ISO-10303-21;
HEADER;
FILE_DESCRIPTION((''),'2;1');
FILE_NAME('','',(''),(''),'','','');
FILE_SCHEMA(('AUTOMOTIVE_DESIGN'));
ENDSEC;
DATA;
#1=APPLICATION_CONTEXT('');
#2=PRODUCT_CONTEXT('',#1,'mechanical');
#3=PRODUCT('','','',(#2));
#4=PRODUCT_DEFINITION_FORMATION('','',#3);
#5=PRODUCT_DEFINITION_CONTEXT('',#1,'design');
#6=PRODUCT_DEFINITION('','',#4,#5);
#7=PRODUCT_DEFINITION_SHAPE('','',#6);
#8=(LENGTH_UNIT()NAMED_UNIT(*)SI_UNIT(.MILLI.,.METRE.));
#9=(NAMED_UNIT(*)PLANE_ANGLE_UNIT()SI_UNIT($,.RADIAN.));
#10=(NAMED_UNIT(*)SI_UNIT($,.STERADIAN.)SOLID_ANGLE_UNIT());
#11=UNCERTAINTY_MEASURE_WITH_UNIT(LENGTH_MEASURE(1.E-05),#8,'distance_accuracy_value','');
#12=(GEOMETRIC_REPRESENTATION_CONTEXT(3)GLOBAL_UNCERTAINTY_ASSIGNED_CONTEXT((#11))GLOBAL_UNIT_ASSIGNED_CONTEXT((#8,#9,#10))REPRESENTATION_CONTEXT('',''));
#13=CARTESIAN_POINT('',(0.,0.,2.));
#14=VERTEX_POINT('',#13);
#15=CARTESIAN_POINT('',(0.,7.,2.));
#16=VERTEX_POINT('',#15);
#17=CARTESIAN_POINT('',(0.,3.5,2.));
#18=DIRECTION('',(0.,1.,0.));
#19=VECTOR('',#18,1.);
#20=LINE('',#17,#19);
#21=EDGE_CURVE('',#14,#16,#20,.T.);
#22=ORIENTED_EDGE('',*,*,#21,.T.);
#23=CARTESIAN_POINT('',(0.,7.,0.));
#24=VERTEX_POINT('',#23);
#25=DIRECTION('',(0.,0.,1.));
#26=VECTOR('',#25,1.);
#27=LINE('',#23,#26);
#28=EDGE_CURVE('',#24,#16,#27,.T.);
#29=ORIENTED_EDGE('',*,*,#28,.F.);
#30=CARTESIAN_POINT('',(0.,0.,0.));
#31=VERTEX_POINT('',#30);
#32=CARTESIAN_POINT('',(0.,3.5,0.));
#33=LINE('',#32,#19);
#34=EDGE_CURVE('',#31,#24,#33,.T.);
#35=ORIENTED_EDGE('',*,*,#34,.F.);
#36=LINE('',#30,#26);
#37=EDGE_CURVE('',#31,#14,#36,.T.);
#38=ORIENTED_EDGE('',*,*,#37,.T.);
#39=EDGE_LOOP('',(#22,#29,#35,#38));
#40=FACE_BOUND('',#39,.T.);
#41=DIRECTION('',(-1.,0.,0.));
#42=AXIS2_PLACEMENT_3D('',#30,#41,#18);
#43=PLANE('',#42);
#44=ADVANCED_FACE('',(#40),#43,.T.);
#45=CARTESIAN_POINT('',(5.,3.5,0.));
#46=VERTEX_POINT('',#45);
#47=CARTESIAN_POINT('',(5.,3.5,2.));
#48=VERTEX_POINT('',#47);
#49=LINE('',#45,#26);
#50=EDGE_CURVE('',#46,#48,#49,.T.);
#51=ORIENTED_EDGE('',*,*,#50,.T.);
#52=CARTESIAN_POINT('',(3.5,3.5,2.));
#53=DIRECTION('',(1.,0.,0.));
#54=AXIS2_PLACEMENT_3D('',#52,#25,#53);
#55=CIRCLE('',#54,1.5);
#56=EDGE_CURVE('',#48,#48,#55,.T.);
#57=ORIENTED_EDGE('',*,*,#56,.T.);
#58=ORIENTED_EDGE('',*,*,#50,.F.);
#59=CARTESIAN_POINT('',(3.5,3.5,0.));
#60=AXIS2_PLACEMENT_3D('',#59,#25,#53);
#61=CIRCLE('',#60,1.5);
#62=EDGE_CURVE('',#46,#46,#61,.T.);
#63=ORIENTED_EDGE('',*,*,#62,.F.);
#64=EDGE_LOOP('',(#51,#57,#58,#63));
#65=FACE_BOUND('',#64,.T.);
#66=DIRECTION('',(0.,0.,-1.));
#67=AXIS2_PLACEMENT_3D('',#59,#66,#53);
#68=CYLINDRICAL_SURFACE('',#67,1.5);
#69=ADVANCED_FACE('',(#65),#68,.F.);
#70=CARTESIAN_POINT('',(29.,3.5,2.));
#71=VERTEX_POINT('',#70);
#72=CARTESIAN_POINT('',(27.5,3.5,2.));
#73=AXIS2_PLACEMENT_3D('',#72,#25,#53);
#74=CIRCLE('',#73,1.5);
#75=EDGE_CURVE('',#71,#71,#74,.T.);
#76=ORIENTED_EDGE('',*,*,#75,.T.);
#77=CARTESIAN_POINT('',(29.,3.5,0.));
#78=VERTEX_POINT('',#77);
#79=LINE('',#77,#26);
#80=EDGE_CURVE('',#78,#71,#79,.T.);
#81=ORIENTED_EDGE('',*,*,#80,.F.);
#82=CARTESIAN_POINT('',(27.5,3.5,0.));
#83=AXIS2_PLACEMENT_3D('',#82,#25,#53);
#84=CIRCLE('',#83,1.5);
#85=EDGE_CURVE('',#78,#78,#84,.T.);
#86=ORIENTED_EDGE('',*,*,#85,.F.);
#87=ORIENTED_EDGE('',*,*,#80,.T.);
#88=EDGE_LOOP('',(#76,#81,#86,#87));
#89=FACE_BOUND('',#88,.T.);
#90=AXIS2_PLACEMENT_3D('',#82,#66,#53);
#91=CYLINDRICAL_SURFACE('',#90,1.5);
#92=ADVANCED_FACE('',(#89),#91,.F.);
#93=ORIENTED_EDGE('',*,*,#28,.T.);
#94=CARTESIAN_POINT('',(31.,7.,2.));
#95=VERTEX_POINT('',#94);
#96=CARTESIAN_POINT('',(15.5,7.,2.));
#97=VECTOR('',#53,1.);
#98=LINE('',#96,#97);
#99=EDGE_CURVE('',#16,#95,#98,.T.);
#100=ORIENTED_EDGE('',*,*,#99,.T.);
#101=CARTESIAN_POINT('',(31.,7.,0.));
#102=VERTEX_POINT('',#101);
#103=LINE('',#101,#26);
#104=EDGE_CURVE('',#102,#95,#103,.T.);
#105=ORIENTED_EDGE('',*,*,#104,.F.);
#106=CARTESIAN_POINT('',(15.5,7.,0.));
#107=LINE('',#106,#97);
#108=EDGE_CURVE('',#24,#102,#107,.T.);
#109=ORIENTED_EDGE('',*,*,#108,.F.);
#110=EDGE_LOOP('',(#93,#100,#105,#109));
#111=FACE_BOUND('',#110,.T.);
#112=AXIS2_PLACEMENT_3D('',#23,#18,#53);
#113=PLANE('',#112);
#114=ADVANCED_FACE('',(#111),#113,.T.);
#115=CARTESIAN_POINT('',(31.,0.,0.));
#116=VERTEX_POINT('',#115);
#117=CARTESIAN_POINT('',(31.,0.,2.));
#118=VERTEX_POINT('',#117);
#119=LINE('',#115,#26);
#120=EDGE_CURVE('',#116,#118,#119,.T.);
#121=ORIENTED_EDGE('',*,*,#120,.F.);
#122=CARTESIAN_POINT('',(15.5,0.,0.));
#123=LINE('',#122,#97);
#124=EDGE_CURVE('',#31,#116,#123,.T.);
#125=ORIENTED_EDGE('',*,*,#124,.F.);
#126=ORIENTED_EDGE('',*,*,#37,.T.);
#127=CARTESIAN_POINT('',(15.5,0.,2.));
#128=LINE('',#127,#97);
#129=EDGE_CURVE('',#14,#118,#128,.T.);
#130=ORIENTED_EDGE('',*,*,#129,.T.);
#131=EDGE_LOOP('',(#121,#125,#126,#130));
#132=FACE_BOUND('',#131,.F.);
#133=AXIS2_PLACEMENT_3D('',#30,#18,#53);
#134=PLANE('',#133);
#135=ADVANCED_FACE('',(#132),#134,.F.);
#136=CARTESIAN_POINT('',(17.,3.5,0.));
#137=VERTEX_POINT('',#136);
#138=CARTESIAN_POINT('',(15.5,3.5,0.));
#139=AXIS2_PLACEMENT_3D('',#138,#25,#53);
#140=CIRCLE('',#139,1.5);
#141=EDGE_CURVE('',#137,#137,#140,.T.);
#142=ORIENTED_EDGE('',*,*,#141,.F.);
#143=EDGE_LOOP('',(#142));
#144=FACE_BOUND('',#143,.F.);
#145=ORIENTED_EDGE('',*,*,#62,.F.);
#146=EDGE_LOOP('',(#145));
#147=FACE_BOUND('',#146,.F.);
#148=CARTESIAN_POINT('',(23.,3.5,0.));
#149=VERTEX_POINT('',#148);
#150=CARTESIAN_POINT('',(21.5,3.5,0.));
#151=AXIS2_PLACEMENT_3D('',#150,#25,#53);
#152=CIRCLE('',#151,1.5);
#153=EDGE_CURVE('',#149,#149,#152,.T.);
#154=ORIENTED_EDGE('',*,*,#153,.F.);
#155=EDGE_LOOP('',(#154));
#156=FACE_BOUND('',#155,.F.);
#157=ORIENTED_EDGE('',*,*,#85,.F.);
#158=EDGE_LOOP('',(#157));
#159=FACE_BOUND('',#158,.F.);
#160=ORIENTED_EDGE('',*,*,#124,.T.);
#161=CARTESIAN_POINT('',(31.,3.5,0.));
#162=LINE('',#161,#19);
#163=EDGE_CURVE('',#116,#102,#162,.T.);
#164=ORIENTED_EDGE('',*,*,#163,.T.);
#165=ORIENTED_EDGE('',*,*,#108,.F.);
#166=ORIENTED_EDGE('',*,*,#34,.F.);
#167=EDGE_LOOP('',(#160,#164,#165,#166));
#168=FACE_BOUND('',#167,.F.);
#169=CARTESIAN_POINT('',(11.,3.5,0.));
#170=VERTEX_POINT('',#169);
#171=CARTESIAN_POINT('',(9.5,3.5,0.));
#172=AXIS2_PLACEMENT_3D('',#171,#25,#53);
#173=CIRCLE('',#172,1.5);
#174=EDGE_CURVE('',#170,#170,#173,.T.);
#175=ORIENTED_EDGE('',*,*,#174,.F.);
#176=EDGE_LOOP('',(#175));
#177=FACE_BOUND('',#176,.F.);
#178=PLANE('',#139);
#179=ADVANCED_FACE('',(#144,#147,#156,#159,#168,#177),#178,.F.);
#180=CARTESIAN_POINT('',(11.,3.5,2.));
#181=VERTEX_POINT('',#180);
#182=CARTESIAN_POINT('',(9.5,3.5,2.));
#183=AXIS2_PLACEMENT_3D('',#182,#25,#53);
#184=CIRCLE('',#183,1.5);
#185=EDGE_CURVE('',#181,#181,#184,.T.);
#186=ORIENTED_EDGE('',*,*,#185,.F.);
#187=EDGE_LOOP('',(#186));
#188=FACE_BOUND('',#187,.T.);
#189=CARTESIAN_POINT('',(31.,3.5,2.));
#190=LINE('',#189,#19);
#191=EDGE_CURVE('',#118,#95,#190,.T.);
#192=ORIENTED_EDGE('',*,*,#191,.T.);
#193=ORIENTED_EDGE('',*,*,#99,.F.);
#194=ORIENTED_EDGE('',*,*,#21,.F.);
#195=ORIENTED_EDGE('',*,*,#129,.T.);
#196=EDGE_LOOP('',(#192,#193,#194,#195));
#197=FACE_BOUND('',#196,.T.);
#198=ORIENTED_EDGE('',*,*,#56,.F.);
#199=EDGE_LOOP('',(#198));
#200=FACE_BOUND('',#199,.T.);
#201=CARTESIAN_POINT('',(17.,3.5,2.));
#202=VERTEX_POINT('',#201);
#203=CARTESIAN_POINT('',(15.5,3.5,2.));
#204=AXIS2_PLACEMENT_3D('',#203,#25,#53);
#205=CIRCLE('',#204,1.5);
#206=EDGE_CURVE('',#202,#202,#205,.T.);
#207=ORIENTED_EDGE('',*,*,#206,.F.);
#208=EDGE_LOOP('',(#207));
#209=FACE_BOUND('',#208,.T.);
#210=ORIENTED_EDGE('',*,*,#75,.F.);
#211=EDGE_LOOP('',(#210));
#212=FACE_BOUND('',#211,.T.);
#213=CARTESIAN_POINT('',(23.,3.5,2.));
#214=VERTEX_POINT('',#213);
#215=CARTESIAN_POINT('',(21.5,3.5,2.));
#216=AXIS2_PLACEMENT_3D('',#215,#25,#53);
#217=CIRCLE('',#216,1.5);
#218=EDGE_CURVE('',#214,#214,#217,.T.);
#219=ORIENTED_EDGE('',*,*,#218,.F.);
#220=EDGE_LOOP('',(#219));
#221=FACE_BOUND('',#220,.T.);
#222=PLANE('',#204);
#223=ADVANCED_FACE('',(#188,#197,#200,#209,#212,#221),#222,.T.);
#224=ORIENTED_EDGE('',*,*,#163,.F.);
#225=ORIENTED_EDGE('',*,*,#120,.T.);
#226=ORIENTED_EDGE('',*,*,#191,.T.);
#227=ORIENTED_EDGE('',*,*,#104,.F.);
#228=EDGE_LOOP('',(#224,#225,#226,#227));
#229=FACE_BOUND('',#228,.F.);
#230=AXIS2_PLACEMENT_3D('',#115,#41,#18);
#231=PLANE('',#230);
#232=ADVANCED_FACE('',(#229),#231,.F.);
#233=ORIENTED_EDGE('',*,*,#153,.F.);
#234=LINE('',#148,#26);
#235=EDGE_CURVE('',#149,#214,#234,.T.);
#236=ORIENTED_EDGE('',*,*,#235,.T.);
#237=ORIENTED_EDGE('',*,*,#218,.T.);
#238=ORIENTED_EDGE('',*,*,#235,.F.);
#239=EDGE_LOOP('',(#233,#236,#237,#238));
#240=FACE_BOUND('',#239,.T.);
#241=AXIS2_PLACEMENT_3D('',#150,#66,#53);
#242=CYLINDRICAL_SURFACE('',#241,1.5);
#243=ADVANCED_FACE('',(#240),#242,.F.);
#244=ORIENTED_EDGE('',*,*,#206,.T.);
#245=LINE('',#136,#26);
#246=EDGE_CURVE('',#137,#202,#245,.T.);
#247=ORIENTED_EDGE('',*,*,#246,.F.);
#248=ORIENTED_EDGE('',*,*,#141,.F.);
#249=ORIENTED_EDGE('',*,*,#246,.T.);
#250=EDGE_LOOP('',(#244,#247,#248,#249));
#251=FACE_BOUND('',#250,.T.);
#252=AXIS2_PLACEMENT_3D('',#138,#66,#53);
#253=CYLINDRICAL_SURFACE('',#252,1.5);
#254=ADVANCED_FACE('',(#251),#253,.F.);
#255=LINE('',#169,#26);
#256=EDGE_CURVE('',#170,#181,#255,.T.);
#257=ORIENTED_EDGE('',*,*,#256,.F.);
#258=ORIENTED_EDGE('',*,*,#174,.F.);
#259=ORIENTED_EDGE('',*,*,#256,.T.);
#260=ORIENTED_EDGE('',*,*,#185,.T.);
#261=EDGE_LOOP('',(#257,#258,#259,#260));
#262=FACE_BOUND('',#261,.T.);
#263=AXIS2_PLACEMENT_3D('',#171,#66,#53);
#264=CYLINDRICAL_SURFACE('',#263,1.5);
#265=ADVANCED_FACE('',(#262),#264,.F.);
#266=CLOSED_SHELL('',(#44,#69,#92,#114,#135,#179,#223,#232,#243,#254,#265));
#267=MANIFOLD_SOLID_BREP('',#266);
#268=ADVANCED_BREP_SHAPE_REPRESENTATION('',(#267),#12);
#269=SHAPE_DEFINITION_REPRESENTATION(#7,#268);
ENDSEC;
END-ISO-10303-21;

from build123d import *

# Parameters (mm, degrees)
CYLINDER001_R     = 1.5
CYLINDER001_DEPTH = 2
CYLINDER002_R     = 1.5
CYLINDER002_DEPTH = 2
CYLINDER003_R     = 1.5
CYLINDER003_DEPTH = 2
CYLINDER004_R     = 1.5
CYLINDER004_DEPTH = 2
CYLINDER_R        = 1.5
CYLINDER_DEPTH    = 2
BOX_W             = 31
BOX_H             = 7
BOX_DEPTH         = 2


with BuildPart() as cylinder001:
    # Cylinder001 → Cylinder001 (new body)
    with BuildSketch(Plane(origin=(9.5, 3.5, 0), x_dir=(1, 0, 0), z_dir=(0, 0, 1))):
        Circle(CYLINDER001_R)
    extrude(amount=CYLINDER001_DEPTH)


with BuildPart() as cylinder002:
    # Cylinder002 → Cylinder002 (new body)
    with BuildSketch(Plane(origin=(15.5, 3.5, 0), x_dir=(1, 0, 0), z_dir=(0, 0, 1))):
        Circle(CYLINDER002_R)
    extrude(amount=CYLINDER002_DEPTH)


with BuildPart() as cylinder003:
    # Cylinder003 → Cylinder003 (new body)
    with BuildSketch(Plane(origin=(21.5, 3.5, 0), x_dir=(1, 0, 0), z_dir=(0, 0, 1))):
        Circle(CYLINDER003_R)
    extrude(amount=CYLINDER003_DEPTH)


with BuildPart() as cylinder004:
    # Cylinder004 → Cylinder004 (new body)
    with BuildSketch(Plane(origin=(27.5, 3.5, 0), x_dir=(1, 0, 0), z_dir=(0, 0, 1))):
        Circle(CYLINDER004_R)
    extrude(amount=CYLINDER004_DEPTH)


with BuildPart() as fusion:
    # Cylinder → Cylinder (new body)
    with BuildSketch(Plane(origin=(3.5, 3.5, 0), x_dir=(1, 0, 0), z_dir=(0, 0, 1))):
        Circle(CYLINDER_R)
    extrude(amount=CYLINDER_DEPTH)

    # Fusion: union Cylinder001, Cylinder002, Cylinder003, Cylinder004
    add(cylinder001.part)
    add(cylinder002.part)
    add(cylinder003.part)
    add(cylinder004.part)


with BuildPart() as mecano:
    # Box → Box (new body)
    with BuildSketch(Plane.XY):
        with Locations((15.5, 3.5)):
            Rectangle(BOX_W, BOX_H)
    extrude(amount=BOX_DEPTH)

    # Cut: cut Fusion
    add(fusion.part, mode=Mode.SUBTRACT)


solid = mecano.part
